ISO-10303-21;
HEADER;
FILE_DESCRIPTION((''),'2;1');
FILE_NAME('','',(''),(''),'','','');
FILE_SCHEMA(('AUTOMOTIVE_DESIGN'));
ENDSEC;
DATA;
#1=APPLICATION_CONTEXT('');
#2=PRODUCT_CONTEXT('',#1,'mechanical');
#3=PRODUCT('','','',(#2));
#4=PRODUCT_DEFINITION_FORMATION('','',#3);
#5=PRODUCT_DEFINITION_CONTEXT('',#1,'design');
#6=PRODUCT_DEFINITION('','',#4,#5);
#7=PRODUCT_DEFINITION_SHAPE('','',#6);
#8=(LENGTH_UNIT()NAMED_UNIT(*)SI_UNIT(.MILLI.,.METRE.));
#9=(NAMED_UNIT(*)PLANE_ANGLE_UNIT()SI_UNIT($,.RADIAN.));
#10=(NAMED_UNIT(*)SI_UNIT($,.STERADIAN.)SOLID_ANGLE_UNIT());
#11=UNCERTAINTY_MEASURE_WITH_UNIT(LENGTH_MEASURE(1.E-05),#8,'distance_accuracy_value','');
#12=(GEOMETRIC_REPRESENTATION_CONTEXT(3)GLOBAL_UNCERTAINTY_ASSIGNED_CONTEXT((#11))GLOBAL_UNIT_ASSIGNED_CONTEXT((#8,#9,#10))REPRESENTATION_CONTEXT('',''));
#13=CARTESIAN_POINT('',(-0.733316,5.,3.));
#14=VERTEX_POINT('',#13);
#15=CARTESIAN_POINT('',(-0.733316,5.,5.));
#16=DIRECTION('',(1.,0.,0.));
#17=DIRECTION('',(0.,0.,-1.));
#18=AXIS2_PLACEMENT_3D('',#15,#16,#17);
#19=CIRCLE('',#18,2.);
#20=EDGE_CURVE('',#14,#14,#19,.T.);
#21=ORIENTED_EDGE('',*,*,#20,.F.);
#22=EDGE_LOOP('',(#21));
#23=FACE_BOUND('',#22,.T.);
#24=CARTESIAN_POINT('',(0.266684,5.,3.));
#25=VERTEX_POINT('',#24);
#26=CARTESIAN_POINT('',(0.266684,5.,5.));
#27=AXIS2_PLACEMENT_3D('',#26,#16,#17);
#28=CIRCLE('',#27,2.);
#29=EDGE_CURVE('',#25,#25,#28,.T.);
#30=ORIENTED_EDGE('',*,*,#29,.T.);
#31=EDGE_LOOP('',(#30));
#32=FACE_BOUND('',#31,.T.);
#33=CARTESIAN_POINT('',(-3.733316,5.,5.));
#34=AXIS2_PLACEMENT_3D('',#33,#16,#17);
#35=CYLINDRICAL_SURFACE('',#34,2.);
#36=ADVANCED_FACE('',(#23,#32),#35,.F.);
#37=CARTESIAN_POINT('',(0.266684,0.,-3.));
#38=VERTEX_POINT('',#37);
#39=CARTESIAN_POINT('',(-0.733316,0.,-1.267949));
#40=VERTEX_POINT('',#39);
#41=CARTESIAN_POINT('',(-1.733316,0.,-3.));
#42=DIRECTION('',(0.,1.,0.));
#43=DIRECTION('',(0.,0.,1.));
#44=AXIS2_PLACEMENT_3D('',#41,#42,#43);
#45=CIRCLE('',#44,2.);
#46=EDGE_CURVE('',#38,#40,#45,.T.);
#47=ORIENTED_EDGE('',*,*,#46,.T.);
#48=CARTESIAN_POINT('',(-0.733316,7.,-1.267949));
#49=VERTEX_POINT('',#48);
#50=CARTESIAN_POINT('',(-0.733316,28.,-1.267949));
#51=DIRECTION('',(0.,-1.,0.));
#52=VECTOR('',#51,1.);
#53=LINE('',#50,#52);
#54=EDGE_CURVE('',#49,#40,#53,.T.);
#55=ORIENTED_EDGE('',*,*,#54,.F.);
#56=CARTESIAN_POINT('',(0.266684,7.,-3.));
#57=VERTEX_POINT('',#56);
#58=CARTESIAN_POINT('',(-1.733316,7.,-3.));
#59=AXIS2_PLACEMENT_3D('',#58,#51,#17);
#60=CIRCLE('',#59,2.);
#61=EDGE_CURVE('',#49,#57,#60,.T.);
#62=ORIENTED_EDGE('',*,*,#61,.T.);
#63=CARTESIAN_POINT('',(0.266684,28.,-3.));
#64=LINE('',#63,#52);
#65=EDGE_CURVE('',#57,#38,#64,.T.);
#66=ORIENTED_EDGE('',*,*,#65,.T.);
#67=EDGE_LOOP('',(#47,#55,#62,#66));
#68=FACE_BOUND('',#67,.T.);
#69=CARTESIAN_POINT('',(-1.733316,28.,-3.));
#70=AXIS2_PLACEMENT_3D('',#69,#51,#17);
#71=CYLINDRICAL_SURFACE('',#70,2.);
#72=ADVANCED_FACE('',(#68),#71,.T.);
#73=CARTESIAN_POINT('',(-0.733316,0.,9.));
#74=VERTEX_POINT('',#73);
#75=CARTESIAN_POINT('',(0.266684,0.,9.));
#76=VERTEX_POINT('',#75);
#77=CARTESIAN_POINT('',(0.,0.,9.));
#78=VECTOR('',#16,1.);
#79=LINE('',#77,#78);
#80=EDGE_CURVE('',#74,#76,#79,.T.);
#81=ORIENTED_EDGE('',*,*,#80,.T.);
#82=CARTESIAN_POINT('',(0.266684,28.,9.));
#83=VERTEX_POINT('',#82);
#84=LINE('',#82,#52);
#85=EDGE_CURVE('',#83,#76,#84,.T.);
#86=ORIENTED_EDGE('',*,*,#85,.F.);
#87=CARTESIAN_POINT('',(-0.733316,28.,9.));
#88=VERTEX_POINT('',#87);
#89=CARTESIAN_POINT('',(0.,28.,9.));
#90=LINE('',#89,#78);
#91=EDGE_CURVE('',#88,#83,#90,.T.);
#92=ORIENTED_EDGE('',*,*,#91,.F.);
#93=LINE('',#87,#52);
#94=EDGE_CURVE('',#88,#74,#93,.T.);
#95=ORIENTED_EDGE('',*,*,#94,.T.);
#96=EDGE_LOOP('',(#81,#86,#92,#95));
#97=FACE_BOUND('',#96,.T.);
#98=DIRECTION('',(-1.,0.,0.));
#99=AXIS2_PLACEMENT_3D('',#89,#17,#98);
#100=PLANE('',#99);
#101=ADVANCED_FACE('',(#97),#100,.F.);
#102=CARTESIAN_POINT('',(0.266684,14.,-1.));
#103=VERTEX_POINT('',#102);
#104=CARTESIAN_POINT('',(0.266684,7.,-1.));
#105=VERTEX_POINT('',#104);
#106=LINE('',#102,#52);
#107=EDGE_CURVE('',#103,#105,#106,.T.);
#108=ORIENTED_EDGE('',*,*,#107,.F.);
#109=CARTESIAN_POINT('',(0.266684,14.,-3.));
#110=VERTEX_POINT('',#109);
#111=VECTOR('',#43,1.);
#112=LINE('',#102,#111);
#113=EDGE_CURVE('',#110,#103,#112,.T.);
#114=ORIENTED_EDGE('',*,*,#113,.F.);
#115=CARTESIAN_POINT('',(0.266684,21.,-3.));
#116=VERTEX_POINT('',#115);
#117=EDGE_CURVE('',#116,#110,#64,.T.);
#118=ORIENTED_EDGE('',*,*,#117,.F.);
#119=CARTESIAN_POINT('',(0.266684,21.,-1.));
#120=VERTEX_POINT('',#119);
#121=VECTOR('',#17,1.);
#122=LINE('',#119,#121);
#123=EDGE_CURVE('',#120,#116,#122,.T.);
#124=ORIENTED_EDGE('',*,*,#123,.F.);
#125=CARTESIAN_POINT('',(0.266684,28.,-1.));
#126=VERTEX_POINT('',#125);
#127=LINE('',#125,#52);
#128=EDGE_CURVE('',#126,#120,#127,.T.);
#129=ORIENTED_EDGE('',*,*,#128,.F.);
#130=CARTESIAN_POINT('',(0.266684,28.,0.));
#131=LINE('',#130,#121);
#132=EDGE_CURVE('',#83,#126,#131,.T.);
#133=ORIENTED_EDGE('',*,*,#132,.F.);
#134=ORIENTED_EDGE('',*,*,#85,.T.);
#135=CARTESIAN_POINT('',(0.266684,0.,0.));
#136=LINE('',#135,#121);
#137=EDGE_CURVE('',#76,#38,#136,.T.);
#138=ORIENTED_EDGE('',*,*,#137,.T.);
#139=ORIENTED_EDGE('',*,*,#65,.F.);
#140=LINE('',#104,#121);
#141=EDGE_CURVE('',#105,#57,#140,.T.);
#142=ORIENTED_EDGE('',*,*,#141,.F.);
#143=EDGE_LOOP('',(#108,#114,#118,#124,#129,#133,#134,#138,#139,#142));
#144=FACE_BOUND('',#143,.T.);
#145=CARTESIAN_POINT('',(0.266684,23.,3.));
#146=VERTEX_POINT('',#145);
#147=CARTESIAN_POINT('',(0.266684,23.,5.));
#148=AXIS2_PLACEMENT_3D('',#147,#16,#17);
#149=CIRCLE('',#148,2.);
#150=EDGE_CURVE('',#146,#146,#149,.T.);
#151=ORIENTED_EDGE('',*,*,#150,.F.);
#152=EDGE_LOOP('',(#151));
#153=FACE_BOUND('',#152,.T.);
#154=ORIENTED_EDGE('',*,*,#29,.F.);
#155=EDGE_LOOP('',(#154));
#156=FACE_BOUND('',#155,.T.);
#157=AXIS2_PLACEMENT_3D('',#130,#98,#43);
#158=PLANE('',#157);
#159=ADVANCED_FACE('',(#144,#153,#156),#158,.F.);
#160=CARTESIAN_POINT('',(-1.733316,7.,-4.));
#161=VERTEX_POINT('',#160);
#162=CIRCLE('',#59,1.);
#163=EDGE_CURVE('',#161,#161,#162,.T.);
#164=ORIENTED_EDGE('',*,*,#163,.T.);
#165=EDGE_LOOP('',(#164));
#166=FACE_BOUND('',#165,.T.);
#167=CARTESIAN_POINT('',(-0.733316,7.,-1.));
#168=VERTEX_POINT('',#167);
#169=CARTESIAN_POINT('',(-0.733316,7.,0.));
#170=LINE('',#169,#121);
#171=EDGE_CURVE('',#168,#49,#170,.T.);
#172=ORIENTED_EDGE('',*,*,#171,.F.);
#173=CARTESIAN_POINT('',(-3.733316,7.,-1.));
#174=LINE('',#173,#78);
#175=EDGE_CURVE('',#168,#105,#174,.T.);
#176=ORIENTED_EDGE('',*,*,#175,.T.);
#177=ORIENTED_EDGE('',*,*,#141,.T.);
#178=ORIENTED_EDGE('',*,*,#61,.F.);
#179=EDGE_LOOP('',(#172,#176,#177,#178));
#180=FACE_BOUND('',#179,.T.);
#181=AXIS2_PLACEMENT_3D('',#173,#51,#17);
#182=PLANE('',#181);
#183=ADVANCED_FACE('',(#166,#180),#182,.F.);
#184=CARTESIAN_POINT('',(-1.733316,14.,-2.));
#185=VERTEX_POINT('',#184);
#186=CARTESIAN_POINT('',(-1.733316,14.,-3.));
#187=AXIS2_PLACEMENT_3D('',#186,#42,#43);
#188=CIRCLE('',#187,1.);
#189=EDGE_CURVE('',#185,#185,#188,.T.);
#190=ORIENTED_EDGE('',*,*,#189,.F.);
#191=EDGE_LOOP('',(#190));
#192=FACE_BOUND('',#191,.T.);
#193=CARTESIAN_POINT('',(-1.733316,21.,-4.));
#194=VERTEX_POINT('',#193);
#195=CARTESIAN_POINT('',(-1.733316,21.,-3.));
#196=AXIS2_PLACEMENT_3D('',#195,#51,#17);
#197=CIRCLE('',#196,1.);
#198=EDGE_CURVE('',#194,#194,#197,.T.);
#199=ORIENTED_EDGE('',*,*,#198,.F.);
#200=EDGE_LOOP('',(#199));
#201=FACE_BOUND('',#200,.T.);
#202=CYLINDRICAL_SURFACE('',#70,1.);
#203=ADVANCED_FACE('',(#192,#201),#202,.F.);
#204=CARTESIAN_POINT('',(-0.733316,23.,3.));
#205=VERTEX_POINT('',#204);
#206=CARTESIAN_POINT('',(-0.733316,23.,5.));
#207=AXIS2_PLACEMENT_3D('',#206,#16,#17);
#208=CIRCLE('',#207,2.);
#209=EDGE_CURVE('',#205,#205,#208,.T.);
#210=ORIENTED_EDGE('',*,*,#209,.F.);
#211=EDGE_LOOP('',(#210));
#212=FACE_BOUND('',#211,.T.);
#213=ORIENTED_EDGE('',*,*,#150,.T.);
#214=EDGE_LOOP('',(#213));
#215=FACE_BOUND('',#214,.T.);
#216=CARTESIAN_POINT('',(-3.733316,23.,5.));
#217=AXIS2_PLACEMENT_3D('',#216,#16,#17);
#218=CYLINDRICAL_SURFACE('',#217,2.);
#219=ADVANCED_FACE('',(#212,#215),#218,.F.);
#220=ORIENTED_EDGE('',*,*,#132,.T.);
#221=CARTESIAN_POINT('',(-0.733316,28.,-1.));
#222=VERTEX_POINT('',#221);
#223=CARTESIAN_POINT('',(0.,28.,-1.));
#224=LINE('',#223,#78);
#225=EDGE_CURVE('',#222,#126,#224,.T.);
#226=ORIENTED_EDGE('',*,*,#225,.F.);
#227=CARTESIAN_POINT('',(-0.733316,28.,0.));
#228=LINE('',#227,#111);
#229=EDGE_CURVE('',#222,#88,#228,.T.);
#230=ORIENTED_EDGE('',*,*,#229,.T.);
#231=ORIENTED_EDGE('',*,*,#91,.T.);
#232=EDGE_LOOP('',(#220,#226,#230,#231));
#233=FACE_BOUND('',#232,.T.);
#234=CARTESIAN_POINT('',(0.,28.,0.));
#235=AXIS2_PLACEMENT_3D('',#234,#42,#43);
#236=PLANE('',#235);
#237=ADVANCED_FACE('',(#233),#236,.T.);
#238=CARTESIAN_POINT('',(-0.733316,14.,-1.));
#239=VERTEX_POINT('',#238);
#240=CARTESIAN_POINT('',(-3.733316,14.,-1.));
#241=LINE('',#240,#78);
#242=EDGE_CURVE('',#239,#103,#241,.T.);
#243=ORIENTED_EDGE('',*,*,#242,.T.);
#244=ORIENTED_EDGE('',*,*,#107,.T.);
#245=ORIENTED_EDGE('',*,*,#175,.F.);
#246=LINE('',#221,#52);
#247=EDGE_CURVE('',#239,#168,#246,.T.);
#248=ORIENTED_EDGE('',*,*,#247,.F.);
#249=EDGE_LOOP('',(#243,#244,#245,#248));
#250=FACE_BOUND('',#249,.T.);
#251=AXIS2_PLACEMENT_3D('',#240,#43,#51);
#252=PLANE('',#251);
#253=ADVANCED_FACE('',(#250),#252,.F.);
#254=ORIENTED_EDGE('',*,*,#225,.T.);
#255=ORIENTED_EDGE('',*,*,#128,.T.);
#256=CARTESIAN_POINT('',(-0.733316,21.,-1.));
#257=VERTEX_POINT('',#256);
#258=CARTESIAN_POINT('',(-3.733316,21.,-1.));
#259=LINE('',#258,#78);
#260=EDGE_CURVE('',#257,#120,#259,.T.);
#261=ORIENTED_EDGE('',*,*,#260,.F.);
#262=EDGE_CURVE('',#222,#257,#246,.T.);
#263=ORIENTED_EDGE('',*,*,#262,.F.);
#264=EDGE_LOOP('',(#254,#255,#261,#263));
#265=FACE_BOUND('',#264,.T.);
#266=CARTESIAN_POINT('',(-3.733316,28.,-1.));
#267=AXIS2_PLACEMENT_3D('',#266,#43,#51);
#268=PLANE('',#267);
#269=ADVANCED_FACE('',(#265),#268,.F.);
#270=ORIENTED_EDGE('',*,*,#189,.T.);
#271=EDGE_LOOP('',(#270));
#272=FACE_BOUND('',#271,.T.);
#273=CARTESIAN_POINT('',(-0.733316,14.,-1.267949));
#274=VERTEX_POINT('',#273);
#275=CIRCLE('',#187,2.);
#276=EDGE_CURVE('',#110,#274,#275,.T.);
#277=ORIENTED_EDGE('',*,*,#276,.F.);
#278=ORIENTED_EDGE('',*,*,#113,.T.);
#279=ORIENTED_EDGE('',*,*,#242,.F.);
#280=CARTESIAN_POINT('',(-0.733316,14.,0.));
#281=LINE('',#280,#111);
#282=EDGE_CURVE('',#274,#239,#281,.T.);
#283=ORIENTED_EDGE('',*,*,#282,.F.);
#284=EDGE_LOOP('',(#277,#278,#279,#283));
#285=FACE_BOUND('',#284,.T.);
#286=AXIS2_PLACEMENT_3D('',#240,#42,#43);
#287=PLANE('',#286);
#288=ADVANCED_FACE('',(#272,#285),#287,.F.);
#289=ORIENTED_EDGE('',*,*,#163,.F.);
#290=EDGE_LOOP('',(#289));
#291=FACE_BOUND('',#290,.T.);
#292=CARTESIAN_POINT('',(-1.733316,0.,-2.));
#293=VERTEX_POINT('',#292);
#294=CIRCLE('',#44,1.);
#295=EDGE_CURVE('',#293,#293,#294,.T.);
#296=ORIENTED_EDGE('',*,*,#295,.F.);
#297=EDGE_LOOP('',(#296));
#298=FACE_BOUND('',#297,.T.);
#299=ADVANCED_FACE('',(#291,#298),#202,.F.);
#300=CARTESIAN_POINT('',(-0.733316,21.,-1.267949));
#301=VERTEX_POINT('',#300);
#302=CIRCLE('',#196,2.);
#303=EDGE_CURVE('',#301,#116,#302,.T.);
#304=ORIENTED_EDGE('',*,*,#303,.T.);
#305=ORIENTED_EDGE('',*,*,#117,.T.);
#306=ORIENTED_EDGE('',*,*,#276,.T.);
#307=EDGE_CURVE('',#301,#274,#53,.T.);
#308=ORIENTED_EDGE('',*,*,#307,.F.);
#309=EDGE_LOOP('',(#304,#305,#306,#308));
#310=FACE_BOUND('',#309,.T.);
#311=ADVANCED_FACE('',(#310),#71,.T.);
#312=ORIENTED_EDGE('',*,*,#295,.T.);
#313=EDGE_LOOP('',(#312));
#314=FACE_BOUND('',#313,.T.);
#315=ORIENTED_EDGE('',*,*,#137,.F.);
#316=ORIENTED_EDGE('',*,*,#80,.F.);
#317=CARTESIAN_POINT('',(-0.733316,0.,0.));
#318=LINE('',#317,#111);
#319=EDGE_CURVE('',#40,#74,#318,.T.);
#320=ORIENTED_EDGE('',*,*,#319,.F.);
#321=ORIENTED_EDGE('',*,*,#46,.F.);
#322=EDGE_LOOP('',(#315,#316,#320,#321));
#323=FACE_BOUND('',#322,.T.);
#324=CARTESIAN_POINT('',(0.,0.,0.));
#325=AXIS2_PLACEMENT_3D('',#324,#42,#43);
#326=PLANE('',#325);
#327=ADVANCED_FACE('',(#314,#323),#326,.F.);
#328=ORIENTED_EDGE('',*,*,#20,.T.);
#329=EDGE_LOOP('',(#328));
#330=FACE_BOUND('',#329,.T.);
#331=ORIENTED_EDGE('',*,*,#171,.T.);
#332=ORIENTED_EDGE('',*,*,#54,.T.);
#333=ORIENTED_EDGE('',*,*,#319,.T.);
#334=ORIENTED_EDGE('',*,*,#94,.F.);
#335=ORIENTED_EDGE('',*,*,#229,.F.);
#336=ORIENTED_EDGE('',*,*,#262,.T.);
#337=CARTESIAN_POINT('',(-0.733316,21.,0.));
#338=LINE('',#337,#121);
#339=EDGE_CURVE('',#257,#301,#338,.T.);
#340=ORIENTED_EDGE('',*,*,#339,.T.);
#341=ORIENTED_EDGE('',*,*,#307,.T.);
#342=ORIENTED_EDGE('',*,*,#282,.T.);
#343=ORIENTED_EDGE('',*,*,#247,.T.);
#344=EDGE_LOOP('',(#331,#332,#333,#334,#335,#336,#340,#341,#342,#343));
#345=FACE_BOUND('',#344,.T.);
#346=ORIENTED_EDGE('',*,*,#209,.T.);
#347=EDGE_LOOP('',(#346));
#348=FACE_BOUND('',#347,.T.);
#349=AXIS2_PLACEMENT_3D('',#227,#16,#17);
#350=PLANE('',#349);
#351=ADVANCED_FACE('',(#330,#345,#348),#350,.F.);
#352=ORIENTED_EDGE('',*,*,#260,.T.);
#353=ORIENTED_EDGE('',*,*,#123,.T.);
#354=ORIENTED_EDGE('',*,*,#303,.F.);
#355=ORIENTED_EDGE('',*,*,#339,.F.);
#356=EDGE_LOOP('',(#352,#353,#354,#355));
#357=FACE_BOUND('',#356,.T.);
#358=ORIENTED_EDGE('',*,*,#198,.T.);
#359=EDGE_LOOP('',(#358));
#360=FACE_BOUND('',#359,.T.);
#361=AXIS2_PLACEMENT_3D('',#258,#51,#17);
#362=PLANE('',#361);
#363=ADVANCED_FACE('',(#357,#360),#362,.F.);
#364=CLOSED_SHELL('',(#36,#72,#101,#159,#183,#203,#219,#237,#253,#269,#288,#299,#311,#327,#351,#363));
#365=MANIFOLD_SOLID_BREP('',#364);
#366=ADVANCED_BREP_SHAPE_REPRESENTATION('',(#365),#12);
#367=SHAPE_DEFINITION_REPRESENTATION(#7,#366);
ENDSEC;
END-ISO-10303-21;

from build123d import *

# Parameters (mm, degrees)
SKETCH1_R           = 1
BOSS_EXTRUDE1_DEPTH = 28
SKETCH2_W           = 5.706880649
SKETCH2_H           = 7
CUT_EXTRUDE1_DEPTH  = 5
SKETCH3_R           = 2
CUT_EXTRUDE2_DEPTH  = 5


with BuildPart() as part:
    # Sketch1 → Boss-Extrude1 (new body)
    with BuildSketch(Plane(origin=(0, 0, 0), x_dir=(1, 0, 0), z_dir=(0, 1, 0))):
        with BuildLine():
            ThreePointArc((0.266683504, 3), (-3.465367303, 4), (-0.733316496, 1.267949192))
            Line((-0.733316496, 1.267949192), (-0.733316496, -9))
            Line((-0.733316496, -9), (0.266683504, -9))
            Line((0.266683504, -9), (0.266683504, 3))
        make_face()
        with Locations((-1.733316496, 3)):
            Circle(SKETCH1_R, mode=Mode.SUBTRACT)
    extrude(amount=BOSS_EXTRUDE1_DEPTH)

    # Sketch2 → Cut-Extrude1 (cut, through all)
    with BuildSketch(Plane(origin=(0.266683504, 0, 0), x_dir=(0, 0, -1), z_dir=(1, 0, 0))):
        with Locations((3.853440325, 24.5)):
            Rectangle(SKETCH2_W, SKETCH2_H)
        with Locations((3.853440325, 10.5)):
            Rectangle(SKETCH2_W, SKETCH2_H)
    extrude(amount=-CUT_EXTRUDE1_DEPTH, mode=Mode.SUBTRACT)

    # Sketch3 → Cut-Extrude2 (cut, through all)
    with BuildSketch(Plane(origin=(0.266683504, 0, 0), x_dir=(0, 0, -1), z_dir=(1, 0, 0))):
        with Locations((-5, 23)):
            Circle(SKETCH3_R)
        with Locations((-5, 5)):
            Circle(SKETCH3_R)
    extrude(amount=-CUT_EXTRUDE2_DEPTH, mode=Mode.SUBTRACT)


solid = part.part
